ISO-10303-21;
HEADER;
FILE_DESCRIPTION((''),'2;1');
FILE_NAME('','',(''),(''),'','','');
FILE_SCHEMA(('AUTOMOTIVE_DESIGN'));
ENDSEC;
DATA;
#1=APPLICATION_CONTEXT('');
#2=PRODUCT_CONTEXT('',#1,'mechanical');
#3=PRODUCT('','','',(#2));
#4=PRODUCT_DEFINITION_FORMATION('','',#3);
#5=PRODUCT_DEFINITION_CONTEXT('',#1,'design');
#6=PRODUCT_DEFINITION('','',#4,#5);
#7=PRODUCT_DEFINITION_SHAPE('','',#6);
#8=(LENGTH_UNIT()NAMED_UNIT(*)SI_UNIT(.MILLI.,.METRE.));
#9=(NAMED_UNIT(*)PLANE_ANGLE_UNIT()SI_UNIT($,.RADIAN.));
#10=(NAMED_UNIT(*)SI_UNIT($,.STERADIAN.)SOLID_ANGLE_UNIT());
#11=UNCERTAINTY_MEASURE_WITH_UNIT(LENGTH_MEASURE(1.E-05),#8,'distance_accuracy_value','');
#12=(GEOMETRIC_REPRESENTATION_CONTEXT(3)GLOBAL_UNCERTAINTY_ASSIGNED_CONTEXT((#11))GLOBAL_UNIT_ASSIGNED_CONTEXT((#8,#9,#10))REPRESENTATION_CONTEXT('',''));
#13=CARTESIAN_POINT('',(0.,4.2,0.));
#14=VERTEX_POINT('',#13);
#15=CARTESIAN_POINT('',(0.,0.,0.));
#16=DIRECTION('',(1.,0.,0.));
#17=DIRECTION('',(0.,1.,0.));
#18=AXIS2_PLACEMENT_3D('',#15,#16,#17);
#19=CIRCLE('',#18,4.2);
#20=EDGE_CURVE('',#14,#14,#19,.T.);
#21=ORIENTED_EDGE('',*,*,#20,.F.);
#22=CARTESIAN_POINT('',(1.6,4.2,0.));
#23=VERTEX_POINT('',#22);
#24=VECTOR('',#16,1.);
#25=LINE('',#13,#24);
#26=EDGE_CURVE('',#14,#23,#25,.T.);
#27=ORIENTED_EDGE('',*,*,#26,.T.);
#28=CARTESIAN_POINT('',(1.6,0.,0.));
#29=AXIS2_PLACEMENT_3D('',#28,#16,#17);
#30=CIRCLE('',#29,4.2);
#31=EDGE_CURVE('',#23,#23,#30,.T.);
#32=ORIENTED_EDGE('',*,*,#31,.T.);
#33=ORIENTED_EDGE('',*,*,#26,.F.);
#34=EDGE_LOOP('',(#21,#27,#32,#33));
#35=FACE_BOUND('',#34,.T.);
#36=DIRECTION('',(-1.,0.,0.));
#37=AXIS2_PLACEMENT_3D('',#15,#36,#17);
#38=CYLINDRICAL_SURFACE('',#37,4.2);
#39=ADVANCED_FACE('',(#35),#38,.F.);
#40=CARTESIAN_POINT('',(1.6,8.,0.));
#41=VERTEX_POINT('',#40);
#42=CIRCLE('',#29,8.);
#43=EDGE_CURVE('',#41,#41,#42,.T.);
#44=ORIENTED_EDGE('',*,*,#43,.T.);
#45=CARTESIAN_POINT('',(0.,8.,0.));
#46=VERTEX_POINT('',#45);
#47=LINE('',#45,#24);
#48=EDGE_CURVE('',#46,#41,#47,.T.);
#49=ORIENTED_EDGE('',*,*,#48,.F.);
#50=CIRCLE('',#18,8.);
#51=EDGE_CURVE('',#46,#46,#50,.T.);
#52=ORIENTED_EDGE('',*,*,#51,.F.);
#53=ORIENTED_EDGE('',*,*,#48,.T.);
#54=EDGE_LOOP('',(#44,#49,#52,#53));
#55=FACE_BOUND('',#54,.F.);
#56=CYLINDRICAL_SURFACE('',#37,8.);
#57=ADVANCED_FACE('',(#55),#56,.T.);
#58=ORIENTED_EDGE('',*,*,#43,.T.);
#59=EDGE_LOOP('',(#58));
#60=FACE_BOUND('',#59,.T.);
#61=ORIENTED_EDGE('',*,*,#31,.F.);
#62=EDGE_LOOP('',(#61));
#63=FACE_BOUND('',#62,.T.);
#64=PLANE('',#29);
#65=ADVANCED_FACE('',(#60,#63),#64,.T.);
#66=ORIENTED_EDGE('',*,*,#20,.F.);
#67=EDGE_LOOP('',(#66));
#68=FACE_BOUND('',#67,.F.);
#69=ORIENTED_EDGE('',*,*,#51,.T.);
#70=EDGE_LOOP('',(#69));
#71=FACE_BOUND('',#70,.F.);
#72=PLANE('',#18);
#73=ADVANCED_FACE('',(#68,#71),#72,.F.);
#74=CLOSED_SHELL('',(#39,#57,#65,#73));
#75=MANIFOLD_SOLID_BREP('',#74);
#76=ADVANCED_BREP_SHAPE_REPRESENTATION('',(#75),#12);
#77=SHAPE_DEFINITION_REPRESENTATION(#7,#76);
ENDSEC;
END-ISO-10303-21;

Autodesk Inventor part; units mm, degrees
ref_plane "YZ Plane" through (0, 0, 0) normal (1, 0, 0) x (0, 1, 0)
ref_plane "XZ Plane" through (0, 0, 0) normal (0, 1, 0) x (-1, 0, 0)
sketch "Sketch" plane through (0, 0, 0) normal (1, 0, 0) x (0, 1, 0)
  circle A0 centre (0, 0) radius 8
  circle A1 centre (0, 0) radius 4.2
  dimension "d0" = 8.4
  dimension "d1" = 16
extrude "Body" add sketch "Sketch" along normal blind 1.6
ref_plane "Work Plane1" through (0, 0, 0) normal (0, 0, 1) x (1, 0, 0)
equation "\"d0\" = SD1"
equation "\"d1\" = SD2"
equation "\"d2\" = SD"
equation "\"SD1\" = 8.4"
equation "\"SD2\" = 16"
equation "\"SD\" = 1.6"
equation "\"NND\" = 8"
properties part number "DIN 125 - A 8,4" material "Steel, Mild"
